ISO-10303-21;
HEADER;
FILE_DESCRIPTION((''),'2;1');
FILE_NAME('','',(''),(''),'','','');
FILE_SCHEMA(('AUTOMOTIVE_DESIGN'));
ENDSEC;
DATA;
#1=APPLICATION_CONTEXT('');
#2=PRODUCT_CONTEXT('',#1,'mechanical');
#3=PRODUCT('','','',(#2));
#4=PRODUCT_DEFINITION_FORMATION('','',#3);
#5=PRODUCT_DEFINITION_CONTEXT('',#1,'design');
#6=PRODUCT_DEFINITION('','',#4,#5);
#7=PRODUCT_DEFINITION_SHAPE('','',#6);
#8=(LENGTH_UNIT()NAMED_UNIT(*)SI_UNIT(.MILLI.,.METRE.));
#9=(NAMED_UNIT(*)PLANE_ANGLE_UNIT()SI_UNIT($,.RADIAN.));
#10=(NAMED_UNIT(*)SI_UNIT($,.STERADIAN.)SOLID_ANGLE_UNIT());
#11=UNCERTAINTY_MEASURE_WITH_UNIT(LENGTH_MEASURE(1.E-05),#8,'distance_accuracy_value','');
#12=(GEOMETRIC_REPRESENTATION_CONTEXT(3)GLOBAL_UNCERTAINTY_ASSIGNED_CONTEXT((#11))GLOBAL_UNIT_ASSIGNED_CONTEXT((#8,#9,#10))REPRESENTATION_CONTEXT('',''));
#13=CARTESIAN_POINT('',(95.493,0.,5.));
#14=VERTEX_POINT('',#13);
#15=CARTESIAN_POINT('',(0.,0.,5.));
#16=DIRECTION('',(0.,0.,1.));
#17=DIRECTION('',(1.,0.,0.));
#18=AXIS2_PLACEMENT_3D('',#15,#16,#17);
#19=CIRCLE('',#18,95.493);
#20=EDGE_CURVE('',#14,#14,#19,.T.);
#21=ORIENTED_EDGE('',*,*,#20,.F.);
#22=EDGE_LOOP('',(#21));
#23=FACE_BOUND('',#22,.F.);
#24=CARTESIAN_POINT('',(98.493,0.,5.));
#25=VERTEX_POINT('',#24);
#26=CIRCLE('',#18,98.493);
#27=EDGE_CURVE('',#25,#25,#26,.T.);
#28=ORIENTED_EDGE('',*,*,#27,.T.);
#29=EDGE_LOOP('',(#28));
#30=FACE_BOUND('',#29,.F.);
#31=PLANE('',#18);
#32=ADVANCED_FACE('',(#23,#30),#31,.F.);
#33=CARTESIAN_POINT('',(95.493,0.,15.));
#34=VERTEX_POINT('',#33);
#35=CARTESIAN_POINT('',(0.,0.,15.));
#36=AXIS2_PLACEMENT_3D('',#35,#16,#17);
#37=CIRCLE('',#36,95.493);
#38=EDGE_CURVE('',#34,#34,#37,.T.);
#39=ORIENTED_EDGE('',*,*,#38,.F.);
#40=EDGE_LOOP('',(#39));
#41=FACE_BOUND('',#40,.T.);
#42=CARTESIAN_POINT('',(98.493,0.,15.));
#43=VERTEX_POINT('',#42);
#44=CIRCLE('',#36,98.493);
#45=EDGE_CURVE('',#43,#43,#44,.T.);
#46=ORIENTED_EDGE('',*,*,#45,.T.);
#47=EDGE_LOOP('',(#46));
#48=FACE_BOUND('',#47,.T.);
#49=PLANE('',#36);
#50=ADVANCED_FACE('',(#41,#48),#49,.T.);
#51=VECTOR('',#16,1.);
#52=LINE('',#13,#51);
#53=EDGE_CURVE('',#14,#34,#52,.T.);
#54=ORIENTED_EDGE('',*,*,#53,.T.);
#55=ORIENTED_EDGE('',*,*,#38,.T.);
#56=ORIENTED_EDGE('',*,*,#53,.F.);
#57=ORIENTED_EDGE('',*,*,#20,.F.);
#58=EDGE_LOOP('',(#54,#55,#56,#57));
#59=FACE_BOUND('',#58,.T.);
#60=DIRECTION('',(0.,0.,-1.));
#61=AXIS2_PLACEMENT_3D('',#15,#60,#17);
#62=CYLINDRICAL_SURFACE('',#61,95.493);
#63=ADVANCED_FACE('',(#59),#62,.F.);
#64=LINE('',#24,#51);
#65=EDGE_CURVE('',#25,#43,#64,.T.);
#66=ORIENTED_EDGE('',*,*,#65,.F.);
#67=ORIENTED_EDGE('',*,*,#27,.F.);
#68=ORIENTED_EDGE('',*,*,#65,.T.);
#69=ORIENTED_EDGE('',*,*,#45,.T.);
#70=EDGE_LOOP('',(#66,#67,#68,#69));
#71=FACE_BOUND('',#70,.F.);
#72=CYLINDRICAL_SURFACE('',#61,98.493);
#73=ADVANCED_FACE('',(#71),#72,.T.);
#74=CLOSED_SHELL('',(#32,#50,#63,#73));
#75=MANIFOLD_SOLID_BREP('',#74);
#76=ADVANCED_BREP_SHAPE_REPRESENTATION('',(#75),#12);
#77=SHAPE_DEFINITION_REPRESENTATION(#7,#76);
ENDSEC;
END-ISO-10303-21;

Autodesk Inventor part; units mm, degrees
ref_plane "YZ Plane" through (0, 0, 0) normal (1, 0, 0) x (0, 1, 0)
ref_plane "XZ Plane" through (0, 0, 0) normal (0, 1, 0) x (-1, 0, 0)
ref_plane "XY Plane" through (0, 0, 0) normal (0, 0, 1) x (1, 0, 0)
ref_plane "Work Plane1" through (0, 0, 5) normal (0, 0, 1) x (1, 0, 0)
sketch "Sketch1" plane through (0, 0, 5) normal (0, 0, 1) x (1, 0, 0)
  circle A0 centre (0, 0) radius 95.493
  circle A1 centre (0, 0) radius 98.493
  dimension "d0" = 190.9859
  dimension "d1" = 3
extrude "Extrusion1" add sketch "Sketch1" along normal blind 10
properties part number "LedStrip_36"
